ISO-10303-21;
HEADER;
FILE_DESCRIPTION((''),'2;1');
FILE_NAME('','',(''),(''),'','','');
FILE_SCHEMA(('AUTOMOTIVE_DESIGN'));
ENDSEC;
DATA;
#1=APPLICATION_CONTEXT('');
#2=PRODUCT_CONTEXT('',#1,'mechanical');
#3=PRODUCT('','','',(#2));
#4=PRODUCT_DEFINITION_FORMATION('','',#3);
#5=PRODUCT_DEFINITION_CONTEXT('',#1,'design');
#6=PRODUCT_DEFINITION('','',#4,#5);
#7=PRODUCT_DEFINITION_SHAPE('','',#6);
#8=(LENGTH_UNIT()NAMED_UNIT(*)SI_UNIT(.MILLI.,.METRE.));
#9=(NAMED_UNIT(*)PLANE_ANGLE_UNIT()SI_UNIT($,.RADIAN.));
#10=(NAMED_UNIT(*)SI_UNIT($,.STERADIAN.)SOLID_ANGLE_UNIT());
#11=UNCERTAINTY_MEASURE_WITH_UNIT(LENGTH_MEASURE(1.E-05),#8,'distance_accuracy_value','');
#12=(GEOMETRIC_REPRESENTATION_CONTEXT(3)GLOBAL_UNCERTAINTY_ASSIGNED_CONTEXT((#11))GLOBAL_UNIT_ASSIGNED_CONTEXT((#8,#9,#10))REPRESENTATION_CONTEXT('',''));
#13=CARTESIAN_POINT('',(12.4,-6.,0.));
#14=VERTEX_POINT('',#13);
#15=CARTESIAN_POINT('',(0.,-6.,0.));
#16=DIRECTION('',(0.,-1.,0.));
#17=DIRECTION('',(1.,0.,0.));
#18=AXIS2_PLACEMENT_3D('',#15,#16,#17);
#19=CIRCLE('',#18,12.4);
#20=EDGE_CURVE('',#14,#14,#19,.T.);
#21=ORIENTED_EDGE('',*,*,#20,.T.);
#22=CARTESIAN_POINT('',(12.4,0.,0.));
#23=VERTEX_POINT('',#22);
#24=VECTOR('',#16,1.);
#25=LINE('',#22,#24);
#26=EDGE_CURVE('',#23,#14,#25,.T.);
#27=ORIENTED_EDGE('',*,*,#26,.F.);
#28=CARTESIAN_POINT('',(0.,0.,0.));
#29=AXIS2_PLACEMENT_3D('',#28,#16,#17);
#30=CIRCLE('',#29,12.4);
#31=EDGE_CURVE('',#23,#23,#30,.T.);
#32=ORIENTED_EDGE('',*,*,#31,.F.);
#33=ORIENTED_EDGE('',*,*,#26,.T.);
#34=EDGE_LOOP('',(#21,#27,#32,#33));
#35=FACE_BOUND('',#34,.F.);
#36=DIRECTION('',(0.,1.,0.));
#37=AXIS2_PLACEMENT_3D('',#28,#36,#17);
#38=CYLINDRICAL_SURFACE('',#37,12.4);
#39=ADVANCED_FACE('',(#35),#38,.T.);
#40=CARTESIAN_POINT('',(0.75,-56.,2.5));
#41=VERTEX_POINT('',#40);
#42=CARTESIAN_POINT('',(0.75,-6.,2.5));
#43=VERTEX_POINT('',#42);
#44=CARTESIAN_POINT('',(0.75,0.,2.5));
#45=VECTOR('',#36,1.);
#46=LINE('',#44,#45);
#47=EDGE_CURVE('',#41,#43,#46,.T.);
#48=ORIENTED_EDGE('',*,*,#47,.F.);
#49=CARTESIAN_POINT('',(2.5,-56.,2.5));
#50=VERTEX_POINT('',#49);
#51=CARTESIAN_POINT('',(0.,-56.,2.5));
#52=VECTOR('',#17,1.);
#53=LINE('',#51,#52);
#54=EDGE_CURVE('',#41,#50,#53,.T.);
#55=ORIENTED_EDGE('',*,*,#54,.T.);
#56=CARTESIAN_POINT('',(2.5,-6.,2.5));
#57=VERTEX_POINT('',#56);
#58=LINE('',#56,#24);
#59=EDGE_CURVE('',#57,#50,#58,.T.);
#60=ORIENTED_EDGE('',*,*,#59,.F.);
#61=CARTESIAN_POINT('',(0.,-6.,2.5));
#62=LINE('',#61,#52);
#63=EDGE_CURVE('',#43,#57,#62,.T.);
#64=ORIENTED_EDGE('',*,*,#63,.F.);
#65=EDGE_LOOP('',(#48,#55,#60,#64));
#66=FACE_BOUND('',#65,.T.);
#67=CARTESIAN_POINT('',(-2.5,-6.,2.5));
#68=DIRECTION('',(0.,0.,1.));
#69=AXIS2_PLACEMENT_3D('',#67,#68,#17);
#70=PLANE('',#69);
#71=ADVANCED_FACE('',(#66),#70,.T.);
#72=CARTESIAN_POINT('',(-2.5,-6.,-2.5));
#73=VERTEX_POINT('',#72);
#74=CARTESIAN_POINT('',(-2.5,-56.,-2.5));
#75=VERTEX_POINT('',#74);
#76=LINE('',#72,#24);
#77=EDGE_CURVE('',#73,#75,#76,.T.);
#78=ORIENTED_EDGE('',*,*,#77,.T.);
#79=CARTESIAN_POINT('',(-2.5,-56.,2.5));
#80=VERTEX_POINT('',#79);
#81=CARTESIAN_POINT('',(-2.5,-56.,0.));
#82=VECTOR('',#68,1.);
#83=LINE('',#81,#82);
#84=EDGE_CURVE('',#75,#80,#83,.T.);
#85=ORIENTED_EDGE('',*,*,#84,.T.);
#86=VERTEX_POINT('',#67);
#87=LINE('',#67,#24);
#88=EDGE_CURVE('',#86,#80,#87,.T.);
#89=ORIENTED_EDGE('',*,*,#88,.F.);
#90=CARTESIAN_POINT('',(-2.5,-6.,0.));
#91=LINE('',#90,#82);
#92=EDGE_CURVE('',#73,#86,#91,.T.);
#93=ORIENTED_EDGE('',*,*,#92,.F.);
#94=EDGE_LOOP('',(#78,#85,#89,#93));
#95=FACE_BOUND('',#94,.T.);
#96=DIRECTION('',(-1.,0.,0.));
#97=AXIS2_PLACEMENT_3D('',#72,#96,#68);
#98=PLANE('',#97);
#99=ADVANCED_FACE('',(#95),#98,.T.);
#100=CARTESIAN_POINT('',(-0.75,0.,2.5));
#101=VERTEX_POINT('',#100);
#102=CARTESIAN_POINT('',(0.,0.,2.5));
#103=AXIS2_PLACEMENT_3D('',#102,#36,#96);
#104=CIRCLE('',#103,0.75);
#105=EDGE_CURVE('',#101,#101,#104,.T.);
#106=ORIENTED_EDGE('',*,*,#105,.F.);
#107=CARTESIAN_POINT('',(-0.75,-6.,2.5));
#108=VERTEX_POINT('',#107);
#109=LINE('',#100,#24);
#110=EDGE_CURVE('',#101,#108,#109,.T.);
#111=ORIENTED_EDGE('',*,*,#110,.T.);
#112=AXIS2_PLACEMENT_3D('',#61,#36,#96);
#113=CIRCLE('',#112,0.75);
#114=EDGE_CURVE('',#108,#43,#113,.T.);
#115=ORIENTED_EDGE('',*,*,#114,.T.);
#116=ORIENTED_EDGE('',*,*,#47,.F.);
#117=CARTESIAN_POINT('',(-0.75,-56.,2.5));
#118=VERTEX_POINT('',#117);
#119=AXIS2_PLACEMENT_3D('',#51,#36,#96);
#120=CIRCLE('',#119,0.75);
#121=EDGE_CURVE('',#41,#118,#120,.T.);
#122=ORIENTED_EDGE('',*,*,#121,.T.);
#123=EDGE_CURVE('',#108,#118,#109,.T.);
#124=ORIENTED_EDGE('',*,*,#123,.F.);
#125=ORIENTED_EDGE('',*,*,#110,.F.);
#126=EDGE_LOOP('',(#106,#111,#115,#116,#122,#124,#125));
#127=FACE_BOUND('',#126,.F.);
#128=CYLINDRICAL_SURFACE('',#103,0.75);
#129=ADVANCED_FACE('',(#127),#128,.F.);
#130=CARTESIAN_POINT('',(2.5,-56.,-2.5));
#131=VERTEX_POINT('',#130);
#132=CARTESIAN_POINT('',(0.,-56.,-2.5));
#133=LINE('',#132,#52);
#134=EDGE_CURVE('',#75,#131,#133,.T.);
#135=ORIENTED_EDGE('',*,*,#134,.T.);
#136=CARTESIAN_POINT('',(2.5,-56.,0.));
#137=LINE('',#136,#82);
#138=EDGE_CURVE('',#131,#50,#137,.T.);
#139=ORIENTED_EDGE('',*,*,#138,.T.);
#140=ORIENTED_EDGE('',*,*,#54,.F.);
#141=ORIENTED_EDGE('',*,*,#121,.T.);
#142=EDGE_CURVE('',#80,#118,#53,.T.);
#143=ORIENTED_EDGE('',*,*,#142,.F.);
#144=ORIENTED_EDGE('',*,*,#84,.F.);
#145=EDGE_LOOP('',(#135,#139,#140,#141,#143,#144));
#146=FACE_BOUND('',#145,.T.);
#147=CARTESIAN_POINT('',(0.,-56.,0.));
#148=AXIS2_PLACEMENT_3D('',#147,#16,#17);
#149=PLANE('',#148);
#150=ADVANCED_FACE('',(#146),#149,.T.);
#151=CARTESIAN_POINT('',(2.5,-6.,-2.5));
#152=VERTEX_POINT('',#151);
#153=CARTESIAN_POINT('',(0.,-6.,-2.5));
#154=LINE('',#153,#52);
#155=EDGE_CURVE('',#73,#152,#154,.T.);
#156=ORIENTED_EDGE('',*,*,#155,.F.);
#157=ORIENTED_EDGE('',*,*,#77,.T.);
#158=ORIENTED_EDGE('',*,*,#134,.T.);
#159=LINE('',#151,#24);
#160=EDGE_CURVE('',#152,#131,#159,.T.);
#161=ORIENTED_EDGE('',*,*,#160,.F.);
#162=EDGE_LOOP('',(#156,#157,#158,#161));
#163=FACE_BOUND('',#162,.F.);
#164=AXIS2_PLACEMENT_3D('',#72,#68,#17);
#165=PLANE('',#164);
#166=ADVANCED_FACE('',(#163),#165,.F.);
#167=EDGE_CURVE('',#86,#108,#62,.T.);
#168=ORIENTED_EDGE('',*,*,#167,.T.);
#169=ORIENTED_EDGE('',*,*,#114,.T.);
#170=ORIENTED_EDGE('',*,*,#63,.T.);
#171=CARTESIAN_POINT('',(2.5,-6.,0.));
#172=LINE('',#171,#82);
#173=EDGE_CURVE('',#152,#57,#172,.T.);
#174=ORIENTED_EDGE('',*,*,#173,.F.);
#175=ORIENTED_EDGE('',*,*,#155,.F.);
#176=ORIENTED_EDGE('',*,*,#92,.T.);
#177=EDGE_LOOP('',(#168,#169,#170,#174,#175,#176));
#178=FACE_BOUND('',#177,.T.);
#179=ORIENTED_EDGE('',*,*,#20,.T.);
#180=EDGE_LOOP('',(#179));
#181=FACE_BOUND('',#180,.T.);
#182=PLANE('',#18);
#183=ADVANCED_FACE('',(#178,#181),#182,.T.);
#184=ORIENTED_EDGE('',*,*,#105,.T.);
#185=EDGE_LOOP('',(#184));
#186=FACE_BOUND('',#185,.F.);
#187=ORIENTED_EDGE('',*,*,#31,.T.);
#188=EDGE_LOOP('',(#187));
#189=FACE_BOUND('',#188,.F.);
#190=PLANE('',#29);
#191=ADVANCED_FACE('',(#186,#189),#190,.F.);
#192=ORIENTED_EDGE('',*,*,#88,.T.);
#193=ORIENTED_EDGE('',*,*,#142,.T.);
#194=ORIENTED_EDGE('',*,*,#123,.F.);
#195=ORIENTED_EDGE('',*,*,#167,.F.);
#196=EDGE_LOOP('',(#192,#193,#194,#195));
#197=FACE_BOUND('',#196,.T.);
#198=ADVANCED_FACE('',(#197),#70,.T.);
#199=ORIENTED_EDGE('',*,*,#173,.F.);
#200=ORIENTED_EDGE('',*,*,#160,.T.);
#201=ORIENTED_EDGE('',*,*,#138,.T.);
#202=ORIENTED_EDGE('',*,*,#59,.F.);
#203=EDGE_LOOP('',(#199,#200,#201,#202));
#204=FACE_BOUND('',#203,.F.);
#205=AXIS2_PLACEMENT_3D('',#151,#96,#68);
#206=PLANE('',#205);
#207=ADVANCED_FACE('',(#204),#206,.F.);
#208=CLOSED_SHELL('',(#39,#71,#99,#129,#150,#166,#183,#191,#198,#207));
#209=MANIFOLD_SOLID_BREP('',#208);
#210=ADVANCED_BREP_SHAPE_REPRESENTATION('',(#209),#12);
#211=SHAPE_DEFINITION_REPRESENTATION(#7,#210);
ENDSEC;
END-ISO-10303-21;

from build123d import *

# Parameters (mm, degrees)
F0_R     = 12.4
F1_DEPTH = 6
F2_W     = 5
F2_H     = 5
F3_DEPTH = 50
F4_R     = 0.75
F5_DEPTH = 60


with BuildPart() as f1:
    # F0 (on Front) → F1 (new body)
    with BuildSketch(Plane.XZ):
        Circle(F0_R)
    extrude(amount=F1_DEPTH)

    # F2 (on face) → F3 (join)
    with BuildSketch(Plane.XZ.offset(6)):
        Rectangle(F2_W, F2_H)
    extrude(amount=F3_DEPTH)

    # F4 (on face) → F5 (cut)
    with BuildSketch(Plane(origin=(0, 0, 0), x_dir=(-1, 0, 0), z_dir=(0, 1, 0))):
        with Locations((0, 2.5)):
            Circle(F4_R)
    extrude(amount=-F5_DEPTH, mode=Mode.SUBTRACT)


solid = f1.part
